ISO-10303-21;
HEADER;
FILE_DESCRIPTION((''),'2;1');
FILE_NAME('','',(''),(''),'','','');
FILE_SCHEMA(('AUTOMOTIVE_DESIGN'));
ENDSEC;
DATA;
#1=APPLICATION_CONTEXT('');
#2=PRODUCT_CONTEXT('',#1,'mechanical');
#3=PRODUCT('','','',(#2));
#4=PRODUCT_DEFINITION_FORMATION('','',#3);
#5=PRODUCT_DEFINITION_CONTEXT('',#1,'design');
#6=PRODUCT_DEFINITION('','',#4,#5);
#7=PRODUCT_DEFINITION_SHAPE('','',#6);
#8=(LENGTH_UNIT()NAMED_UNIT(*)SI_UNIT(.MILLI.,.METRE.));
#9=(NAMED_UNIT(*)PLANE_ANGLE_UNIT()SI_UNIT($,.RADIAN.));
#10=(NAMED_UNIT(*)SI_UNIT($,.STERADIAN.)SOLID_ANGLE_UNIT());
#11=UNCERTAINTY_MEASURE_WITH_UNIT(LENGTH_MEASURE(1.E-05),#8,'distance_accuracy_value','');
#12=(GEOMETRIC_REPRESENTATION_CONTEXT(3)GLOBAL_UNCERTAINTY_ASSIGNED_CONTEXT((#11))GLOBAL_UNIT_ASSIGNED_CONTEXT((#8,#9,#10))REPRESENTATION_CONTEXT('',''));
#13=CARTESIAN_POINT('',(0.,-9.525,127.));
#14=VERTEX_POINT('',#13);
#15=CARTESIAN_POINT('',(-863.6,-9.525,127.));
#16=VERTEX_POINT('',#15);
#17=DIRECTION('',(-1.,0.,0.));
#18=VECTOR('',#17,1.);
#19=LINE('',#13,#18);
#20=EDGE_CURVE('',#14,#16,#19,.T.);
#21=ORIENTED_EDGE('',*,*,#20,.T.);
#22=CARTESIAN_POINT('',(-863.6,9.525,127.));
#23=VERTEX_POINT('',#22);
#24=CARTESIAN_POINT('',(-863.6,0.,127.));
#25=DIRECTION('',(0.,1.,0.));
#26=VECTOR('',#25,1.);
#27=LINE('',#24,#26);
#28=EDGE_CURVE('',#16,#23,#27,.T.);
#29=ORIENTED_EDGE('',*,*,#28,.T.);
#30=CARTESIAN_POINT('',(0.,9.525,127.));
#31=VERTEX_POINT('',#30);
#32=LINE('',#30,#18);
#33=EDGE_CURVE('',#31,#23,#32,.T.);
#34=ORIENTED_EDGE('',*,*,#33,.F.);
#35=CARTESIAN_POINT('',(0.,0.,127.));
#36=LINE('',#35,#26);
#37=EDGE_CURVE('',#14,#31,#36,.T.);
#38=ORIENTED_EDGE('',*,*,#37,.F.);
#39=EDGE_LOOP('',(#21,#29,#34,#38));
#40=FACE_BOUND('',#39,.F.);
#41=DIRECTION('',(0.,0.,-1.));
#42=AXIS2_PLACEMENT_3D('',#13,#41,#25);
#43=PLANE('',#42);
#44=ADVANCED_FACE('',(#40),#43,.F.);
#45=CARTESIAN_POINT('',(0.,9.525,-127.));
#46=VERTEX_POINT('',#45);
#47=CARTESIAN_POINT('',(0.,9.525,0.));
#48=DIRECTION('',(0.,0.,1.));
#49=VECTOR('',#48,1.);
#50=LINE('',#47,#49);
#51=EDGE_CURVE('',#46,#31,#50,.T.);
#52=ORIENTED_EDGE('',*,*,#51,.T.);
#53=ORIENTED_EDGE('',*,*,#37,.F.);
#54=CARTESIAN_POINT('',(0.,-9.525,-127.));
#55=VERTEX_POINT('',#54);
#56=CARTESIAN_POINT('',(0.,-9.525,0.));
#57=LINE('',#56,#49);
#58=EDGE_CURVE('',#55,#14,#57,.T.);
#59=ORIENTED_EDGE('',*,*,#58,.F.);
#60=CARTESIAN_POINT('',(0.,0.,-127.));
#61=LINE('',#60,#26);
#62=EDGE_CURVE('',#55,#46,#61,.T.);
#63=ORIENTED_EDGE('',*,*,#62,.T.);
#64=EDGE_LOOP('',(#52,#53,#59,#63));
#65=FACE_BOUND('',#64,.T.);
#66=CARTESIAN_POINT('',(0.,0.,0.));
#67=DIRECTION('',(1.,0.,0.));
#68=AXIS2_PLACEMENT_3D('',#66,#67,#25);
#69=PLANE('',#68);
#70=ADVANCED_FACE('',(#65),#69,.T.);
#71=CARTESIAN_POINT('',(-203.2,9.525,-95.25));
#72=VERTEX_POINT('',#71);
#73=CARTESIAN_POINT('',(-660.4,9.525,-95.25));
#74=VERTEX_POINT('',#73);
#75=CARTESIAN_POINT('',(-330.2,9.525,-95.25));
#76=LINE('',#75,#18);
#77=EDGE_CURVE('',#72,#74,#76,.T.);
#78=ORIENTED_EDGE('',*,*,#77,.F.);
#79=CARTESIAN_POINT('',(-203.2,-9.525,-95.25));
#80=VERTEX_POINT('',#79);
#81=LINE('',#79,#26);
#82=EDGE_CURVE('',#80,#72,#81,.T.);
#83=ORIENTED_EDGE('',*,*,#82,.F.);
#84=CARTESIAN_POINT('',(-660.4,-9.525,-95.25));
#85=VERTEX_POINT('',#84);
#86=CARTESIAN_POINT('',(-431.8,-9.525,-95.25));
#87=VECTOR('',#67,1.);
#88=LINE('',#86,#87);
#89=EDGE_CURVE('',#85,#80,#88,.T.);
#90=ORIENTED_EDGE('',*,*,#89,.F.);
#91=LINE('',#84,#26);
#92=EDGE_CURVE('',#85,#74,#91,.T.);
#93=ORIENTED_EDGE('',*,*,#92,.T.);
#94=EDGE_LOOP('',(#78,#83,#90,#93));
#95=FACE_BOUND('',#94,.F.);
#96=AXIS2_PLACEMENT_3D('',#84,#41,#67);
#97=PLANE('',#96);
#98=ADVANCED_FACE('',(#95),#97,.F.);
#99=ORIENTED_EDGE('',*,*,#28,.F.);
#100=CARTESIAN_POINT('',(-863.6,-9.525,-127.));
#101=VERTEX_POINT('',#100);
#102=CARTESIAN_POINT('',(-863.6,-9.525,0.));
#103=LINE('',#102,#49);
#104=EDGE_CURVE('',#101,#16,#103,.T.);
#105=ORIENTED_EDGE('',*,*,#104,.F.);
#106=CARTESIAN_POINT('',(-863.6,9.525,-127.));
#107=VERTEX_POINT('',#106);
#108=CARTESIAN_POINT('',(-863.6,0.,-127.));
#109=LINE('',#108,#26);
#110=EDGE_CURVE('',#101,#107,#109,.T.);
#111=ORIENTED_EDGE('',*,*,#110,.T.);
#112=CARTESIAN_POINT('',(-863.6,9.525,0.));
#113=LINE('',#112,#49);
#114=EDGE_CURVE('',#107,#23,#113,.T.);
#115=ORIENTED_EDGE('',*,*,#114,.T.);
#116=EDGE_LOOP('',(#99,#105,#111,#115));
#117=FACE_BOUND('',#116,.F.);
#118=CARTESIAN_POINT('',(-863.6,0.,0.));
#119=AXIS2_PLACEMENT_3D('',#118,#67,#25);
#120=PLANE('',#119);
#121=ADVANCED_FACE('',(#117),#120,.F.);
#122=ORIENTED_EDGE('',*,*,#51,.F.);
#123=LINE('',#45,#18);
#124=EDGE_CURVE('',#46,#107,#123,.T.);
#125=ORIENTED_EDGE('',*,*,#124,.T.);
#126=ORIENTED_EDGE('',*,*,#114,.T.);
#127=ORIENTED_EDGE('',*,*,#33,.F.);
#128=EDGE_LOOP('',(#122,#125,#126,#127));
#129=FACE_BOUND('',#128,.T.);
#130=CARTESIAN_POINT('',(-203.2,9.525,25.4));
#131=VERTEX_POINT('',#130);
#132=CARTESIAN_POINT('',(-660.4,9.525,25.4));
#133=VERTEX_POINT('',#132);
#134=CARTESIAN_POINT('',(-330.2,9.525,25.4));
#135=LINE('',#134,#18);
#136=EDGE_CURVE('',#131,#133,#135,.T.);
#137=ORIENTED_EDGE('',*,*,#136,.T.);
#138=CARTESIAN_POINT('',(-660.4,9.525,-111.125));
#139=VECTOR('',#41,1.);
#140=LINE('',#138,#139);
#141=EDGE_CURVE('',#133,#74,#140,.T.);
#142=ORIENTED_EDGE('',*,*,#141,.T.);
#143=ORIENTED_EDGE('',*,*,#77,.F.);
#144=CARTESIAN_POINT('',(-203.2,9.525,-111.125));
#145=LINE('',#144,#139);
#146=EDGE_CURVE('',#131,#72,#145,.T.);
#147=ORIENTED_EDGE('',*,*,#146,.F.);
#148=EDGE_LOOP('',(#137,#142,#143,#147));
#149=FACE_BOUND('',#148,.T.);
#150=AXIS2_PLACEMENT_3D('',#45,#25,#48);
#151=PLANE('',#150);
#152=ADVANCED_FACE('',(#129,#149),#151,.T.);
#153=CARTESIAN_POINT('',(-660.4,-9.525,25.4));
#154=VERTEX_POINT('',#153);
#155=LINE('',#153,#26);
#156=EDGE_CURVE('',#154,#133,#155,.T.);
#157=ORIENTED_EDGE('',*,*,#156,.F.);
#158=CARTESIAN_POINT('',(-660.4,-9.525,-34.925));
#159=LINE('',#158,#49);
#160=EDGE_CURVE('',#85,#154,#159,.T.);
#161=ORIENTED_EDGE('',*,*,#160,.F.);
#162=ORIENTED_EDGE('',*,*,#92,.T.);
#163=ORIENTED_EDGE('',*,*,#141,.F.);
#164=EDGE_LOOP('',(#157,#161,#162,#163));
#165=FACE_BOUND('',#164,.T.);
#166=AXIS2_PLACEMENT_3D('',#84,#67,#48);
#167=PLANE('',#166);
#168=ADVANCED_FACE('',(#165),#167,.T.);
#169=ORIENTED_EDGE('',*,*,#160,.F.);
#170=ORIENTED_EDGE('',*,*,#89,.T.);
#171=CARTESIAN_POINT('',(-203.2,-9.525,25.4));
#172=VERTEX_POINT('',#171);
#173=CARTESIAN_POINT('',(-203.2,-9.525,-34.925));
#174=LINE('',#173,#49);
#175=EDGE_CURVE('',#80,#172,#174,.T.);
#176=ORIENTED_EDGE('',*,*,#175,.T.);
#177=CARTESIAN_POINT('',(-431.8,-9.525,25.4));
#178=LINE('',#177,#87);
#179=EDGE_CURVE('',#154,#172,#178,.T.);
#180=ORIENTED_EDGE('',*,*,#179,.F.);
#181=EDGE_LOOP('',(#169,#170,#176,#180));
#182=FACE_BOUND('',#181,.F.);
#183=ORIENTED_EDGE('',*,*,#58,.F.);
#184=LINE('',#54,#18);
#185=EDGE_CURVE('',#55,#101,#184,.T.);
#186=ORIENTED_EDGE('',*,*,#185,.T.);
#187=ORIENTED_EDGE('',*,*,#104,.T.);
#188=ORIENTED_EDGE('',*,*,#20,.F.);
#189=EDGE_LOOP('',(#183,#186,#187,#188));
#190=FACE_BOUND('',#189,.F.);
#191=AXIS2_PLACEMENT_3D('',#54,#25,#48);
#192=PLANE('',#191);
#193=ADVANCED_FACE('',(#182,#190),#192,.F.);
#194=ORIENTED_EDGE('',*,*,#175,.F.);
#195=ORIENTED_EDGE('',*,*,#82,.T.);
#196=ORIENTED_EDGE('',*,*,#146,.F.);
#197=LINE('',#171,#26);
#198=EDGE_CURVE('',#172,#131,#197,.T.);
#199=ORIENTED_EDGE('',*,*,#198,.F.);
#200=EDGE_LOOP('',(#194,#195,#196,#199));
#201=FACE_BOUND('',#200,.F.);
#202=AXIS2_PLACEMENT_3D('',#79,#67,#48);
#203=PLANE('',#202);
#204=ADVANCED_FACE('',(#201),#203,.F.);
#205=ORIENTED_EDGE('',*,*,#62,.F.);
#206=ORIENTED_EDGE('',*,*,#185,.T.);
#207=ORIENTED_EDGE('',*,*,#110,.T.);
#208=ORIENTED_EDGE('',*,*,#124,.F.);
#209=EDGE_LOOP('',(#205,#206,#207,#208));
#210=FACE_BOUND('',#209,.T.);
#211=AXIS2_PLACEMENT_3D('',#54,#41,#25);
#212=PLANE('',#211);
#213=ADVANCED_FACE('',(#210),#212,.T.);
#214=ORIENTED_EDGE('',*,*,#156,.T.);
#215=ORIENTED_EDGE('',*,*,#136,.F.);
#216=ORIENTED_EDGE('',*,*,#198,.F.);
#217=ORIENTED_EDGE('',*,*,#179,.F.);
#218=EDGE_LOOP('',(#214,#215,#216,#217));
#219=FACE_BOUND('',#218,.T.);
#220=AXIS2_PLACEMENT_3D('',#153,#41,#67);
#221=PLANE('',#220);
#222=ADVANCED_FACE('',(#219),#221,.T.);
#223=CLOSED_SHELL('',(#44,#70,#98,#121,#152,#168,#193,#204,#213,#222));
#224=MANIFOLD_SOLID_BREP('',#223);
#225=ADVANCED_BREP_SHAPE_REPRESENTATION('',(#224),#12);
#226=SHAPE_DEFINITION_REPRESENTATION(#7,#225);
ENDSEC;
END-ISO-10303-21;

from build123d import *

# Parameters (mm, degrees)
F0_W     = 19.05
F0_H     = 254
F1_DEPTH = 863.6
F2_W     = 457.2
F2_H     = 120.65
F3_DEPTH = 19.051


with BuildPart() as f1:
    # F0 (on Right) → F1 (new body)
    with BuildSketch(Plane.YZ):
        Rectangle(F0_W, F0_H)
    extrude(amount=-F1_DEPTH)

    # F2 (on face) → F3 (cut, through all)
    with BuildSketch(Plane.XZ.offset(9.525)):
        with Locations((-431.8, -34.925)):
            Rectangle(F2_W, F2_H)
    extrude(amount=-F3_DEPTH, mode=Mode.SUBTRACT)


solid = f1.part
